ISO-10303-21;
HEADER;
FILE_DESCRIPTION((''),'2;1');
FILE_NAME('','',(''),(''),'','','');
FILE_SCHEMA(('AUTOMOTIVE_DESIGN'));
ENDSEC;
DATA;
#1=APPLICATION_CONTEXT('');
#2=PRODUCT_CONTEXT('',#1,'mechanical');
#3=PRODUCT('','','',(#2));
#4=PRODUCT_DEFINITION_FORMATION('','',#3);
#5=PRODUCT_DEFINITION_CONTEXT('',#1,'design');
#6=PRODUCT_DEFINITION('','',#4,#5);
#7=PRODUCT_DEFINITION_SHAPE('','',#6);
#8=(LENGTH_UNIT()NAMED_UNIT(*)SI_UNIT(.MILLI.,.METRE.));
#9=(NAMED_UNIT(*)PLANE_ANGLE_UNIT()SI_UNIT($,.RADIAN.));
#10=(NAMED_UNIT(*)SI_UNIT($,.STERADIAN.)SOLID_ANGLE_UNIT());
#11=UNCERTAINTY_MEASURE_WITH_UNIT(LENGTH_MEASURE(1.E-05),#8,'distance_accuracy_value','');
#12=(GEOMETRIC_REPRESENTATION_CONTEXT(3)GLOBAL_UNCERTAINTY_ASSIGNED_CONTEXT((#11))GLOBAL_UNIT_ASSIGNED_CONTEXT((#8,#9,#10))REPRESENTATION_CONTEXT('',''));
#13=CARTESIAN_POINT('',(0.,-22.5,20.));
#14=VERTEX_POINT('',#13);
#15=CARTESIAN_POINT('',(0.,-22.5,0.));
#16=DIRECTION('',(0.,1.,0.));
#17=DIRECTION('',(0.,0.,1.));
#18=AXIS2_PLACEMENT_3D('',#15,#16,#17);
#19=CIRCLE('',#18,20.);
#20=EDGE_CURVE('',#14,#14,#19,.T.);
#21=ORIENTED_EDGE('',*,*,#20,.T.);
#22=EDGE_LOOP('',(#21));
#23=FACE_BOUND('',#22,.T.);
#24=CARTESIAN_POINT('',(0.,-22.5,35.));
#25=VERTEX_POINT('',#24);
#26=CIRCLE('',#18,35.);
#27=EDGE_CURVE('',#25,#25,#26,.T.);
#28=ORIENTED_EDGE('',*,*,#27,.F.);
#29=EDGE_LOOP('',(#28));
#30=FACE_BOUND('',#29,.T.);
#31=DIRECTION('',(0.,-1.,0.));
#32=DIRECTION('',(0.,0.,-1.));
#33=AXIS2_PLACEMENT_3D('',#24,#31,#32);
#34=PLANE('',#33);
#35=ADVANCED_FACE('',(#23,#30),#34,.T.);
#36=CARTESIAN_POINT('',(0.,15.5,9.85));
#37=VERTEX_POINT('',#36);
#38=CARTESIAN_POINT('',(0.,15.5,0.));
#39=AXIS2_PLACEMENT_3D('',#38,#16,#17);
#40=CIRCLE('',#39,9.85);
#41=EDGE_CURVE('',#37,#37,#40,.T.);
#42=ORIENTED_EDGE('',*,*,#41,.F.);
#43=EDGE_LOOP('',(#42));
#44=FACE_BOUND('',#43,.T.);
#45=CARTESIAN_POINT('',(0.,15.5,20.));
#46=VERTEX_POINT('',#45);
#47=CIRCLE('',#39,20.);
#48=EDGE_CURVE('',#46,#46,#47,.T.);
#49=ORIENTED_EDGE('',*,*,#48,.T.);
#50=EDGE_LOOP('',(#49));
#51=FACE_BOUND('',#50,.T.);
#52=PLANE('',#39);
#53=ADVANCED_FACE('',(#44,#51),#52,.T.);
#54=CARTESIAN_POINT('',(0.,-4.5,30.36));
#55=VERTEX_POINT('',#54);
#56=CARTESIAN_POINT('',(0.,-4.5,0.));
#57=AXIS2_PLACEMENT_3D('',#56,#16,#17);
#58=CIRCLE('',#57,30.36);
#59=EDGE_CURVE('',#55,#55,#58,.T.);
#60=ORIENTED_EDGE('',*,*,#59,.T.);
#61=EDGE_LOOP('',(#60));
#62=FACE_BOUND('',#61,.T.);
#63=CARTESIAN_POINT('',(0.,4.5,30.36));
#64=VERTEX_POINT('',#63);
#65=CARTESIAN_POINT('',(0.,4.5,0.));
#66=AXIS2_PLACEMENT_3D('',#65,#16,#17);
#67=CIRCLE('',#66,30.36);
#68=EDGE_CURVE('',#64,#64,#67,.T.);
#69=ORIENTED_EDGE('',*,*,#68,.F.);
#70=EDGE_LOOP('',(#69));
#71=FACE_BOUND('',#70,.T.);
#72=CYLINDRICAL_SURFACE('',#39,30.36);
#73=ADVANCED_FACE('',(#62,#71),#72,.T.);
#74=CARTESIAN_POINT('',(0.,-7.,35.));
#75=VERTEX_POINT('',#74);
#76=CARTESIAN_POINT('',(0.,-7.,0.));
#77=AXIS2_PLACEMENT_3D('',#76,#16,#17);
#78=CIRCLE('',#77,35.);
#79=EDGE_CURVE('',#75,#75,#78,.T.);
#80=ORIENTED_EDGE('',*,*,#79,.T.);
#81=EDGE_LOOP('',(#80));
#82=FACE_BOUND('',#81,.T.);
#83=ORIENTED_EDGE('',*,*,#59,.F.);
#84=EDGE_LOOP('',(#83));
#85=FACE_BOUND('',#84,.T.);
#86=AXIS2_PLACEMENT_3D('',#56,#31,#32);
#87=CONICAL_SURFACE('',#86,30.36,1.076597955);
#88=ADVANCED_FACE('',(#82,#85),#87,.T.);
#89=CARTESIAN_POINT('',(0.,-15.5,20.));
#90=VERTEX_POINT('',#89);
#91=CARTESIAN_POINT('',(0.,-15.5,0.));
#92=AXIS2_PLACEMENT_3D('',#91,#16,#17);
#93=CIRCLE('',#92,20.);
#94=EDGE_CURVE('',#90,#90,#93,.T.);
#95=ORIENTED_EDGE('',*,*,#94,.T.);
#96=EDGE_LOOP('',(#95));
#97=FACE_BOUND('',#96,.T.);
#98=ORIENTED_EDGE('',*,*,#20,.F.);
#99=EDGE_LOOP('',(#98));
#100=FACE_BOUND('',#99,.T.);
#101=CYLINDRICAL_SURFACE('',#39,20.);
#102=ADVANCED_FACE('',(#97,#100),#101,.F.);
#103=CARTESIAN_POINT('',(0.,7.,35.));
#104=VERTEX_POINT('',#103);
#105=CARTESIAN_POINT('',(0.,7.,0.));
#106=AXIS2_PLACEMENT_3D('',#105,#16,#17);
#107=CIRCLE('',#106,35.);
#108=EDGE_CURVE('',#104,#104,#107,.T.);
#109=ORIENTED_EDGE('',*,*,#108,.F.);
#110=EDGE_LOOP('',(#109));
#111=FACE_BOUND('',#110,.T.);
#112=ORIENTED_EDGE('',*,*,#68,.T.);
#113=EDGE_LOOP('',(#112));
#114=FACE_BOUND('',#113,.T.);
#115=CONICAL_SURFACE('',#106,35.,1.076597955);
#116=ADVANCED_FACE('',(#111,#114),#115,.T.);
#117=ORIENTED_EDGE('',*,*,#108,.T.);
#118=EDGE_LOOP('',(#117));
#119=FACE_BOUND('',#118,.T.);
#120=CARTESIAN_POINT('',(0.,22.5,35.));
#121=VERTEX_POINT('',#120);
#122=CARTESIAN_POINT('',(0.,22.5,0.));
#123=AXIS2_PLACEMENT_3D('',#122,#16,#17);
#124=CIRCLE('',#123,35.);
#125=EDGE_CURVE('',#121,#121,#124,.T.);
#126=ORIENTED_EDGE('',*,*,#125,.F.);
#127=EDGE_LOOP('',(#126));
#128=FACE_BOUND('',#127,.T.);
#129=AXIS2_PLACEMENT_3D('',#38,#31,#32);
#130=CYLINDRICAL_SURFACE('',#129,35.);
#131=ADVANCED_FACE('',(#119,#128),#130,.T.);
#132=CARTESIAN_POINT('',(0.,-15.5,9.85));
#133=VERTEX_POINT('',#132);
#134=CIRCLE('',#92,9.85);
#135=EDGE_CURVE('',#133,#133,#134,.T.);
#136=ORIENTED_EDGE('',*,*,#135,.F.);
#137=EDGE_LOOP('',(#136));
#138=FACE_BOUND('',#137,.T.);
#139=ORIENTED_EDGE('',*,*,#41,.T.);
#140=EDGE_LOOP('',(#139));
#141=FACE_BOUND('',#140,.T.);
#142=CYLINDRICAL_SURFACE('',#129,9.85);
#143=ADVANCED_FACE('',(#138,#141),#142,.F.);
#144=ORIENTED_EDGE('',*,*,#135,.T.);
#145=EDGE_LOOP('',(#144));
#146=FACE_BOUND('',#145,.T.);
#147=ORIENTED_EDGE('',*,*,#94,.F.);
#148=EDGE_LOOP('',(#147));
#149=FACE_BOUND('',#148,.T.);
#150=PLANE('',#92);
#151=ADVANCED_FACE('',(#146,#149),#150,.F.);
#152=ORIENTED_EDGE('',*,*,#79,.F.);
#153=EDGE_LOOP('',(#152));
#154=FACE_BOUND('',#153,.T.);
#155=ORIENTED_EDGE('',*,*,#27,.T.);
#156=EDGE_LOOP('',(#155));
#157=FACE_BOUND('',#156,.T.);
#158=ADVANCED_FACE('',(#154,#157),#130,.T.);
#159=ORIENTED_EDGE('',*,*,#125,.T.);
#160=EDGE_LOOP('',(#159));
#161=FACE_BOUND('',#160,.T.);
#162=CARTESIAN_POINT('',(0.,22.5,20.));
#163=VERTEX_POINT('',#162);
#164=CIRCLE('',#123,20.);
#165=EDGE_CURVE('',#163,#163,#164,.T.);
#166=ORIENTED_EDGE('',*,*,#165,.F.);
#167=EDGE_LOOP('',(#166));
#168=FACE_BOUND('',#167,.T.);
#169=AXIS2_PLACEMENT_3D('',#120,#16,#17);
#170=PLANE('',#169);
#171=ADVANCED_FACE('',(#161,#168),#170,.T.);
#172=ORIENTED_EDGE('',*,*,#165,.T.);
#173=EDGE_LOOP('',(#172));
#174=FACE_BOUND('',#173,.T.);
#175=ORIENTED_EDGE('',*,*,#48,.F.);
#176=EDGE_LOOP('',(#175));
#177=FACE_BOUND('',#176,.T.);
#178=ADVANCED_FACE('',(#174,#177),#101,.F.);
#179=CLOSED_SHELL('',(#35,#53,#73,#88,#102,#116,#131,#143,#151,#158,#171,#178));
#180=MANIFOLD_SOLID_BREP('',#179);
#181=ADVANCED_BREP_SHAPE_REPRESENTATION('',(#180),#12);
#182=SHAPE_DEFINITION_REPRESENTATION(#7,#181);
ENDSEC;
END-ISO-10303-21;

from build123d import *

# Parameters (mm, degrees)
CROQUIS1_R              = 35
CROQUIS1_R_2            = 9.85
SALIENTE_EXTRUIR1_DEPTH = 15.5
CROQUIS3_W              = 15
CROQUIS3_H              = 7


with BuildPart() as part:
    # Croquis1 → Saliente-Extruir1 (new, symmetric)
    with BuildSketch(Plane(origin=(0, 0, 0), x_dir=(1, 0, 0), z_dir=(0, 1, 0))):
        with Locations(Location((0, 0, 0), (0, 0, 270))):
            Circle(CROQUIS1_R)
        with Locations(Location((0, 0, 0), (0, 0, 270))):
            Circle(CROQUIS1_R_2, mode=Mode.SUBTRACT)
    extrude(amount=SALIENTE_EXTRUIR1_DEPTH, both=True)

    # Croquis2 → Cortar-Revolución1 (revolve, cut)
    with BuildSketch(Plane(origin=(0, 0, 0), x_dir=(0, 0, -1), z_dir=(1, 0, 0))):
        Polygon((-30.36, -4.5), (-35, -7), (-35, 7), (-30.36, 4.5), align=None)
    revolve(axis=Axis((0, 15.5, 0), (0, -1, 0)), mode=Mode.SUBTRACT)

    # Croquis3 → Revolución1 (revolve)
    with BuildSketch(Plane(origin=(0, 0, 0), x_dir=(0, 0, -1), z_dir=(1, 0, 0))):
        with Locations((-27.5, 19)):
            Rectangle(CROQUIS3_W, CROQUIS3_H)
        with Locations((-27.5, -19)):
            Rectangle(CROQUIS3_W, CROQUIS3_H)
    revolve(axis=Axis((0, 15.5, 0), (0, -1, 0)))


solid = part.part
